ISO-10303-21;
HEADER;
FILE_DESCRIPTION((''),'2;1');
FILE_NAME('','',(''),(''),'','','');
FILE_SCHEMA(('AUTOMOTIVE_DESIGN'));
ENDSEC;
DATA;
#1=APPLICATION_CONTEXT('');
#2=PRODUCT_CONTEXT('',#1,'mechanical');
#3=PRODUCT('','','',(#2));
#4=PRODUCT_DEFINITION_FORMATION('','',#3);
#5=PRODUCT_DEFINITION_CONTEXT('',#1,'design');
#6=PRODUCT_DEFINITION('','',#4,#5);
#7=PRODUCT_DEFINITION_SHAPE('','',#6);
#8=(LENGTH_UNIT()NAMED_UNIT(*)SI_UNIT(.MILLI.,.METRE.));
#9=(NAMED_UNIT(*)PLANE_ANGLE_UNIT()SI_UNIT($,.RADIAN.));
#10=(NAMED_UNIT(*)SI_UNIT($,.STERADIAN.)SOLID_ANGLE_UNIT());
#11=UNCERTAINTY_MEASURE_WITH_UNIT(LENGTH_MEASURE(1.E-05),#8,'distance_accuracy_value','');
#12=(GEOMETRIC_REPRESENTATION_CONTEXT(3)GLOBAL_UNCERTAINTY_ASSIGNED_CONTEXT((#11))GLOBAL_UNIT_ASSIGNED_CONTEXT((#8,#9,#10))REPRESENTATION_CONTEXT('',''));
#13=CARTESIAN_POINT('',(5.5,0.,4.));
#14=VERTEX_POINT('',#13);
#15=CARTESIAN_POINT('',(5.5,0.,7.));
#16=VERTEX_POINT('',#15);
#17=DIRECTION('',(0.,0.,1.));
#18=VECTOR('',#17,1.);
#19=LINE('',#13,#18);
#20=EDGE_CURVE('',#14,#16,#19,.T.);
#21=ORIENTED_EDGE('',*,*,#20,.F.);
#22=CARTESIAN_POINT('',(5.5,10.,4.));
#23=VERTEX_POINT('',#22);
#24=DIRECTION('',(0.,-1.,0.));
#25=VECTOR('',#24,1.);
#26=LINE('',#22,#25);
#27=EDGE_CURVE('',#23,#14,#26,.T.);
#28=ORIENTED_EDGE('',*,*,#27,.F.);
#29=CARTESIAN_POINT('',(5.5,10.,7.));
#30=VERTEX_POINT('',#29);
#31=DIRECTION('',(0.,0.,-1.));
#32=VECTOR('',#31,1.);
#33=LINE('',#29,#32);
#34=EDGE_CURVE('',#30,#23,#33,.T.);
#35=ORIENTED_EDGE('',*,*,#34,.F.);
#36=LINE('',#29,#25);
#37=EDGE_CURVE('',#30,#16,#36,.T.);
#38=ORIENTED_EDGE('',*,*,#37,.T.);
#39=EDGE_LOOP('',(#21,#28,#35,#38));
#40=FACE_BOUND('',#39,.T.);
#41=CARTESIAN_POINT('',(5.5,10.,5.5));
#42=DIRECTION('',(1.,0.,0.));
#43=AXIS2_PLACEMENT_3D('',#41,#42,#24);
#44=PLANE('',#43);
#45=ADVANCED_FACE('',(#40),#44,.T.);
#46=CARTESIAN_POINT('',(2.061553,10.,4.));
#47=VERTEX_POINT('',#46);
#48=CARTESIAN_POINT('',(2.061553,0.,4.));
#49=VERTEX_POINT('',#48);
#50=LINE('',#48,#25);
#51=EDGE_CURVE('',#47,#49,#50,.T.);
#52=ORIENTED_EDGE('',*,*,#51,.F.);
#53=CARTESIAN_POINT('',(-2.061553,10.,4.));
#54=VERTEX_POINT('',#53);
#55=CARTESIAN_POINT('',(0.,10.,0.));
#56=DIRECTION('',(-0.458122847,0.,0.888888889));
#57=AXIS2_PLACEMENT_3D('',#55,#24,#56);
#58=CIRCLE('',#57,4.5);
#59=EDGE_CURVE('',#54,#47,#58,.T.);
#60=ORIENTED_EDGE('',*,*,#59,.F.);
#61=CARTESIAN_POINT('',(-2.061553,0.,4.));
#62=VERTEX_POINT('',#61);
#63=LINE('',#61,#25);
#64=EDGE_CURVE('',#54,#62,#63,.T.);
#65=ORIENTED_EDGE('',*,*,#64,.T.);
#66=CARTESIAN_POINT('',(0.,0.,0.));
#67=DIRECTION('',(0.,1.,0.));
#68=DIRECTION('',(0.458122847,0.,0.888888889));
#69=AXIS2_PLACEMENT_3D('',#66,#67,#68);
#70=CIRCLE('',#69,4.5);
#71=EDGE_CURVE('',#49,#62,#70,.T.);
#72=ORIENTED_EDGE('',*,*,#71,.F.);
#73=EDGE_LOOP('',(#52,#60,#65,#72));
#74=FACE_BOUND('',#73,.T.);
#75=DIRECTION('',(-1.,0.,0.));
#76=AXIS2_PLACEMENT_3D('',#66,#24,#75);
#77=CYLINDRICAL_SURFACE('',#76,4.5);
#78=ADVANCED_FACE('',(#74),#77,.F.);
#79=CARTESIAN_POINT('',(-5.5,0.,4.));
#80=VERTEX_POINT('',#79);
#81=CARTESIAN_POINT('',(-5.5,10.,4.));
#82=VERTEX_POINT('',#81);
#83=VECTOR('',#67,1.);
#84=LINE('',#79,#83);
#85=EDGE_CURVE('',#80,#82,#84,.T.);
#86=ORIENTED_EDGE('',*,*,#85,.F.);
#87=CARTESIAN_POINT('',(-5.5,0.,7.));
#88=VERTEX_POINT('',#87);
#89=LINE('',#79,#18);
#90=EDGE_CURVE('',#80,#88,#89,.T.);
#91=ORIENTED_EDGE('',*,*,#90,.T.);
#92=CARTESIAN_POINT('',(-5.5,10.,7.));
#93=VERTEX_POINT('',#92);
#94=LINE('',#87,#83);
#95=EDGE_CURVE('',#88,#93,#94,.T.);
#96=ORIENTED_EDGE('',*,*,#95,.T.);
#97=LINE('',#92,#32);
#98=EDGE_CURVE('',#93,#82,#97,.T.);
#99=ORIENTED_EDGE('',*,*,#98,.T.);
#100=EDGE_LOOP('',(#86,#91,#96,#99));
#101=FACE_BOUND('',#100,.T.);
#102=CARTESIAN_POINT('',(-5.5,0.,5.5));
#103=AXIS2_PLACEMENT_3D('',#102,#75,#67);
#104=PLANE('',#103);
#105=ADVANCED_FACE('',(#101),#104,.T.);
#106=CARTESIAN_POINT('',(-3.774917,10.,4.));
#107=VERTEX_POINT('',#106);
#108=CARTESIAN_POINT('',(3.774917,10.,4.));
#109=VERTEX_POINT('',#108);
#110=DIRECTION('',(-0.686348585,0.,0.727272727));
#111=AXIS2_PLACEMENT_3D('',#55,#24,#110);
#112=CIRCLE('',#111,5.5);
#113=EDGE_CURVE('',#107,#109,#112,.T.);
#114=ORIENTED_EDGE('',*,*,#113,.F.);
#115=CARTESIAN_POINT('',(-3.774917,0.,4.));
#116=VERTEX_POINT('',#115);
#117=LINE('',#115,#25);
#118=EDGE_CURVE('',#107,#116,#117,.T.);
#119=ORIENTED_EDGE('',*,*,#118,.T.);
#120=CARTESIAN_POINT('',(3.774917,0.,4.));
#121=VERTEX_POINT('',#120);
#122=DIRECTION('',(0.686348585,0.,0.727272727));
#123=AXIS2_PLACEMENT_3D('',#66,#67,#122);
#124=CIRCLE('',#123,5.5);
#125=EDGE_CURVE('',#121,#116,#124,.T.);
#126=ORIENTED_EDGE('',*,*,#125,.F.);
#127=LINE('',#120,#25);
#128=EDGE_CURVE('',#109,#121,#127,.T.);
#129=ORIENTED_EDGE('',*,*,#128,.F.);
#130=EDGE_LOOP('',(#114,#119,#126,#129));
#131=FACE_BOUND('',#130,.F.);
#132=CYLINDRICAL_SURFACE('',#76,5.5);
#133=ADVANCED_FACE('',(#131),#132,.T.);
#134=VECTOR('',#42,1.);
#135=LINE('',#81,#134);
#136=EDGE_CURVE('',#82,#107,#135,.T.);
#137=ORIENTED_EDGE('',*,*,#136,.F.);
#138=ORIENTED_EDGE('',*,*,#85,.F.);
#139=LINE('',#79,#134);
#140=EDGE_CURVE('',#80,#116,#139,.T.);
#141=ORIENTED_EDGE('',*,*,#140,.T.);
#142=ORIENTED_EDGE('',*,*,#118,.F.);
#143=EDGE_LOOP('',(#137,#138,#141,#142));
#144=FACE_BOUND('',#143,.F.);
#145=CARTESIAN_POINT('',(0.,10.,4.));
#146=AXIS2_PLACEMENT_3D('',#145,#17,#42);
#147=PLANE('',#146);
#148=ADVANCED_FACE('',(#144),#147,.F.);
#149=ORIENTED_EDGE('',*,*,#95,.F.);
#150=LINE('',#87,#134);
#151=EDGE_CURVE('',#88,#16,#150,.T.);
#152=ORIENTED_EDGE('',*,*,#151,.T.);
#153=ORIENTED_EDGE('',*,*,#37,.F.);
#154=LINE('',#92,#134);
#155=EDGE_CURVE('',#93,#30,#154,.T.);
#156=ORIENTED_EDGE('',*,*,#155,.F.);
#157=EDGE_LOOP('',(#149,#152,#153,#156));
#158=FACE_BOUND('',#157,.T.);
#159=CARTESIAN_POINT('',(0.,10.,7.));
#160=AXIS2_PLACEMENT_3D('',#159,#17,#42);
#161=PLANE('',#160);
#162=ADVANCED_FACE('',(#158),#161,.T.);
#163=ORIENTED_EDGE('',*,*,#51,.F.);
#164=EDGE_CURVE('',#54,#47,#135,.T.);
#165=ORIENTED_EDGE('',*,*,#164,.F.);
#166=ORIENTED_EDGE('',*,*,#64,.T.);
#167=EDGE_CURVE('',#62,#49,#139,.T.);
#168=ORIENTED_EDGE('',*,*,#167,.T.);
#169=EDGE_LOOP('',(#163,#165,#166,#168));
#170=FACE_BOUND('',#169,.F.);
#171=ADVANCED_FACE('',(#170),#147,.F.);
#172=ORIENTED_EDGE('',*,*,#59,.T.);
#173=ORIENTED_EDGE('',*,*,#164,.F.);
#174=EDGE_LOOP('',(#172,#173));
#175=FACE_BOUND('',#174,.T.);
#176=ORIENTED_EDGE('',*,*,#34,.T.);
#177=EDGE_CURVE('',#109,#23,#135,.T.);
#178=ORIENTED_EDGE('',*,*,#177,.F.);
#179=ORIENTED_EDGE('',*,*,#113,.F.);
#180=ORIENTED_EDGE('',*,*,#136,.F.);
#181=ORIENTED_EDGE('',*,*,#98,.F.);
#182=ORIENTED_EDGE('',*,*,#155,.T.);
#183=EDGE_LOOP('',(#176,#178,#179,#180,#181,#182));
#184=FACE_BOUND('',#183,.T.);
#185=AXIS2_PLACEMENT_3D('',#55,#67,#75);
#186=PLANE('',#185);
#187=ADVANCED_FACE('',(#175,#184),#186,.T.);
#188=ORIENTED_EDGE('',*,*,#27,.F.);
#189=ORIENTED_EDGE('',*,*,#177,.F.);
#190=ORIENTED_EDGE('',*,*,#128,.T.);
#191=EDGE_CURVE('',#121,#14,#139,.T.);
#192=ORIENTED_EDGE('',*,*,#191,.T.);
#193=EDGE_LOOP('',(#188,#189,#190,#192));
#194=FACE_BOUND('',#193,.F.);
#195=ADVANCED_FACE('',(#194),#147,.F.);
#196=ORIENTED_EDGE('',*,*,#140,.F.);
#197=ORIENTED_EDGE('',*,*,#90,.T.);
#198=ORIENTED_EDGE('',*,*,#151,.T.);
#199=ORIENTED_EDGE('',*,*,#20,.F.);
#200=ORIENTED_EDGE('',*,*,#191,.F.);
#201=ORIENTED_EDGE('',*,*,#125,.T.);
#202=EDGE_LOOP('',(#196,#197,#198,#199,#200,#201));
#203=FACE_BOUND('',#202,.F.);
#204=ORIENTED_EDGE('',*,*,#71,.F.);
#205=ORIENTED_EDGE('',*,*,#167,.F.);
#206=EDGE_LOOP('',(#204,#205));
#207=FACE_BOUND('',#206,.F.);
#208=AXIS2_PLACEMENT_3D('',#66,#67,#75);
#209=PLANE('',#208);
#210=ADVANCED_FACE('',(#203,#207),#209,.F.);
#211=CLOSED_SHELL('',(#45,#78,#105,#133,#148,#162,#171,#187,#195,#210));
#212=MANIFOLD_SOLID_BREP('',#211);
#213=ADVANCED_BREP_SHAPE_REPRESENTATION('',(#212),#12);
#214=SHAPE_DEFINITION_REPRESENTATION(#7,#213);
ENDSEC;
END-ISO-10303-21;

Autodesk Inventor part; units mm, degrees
ref_plane "YZ Plane" through (0, 0, 0) normal (1, 0, 0) x (0, 1, 0)
ref_plane "XZ Plane" through (0, 0, 0) normal (0, 1, 0) x (-1, 0, 0)
ref_plane "XY Plane" through (0, 0, 0) normal (0, 0, 1) x (1, 0, 0)
sketch "Esquisse1" plane through (0, 0, 0) normal (0, 1, 0) x (-1, 0, 0)
  circle A0 centre (0, 0) radius 4.5
  circle A1 centre (0, 0) radius 5.5
  dimension "d0" = 9
  dimension "d1" = 11
extrude "Extrusion1" add sketch "Esquisse1" along normal blind 10
sketch "Esquisse2" plane through (0, 10, 0) normal (0, 1, 0) x (1, 0, 0)
  circle A0 centre (0, 0) radius 5.5 projected
  point P0 (0, -5.5)
ref_plane "Plan de construction1" through (0, 10, 5.5) normal (0, 0, 1) x (1, 0, 0)
sketch "Esquisse3" plane through (0, 10, 5.5) normal (0, 0, 1) x (1, 0, 0)
  line L0 (-5.5, -10) -> (-5.5, 0) projected
  line L1 (-5.5, -10) -> (5.5, -10) projected
  line L2 (-5.5, 0) -> (5.5, 0)
  line L3 (5.5, 0) -> (5.5, -10)
  line L4 (5.5, -10) -> (-5.5, -10)
  line L5 (-5.5, -10) -> (-5.5, 0)
  point P0 (0, -10)
extrude "Extrusion2" add sketch "Esquisse3" along normal mid plane 3
properties part number "bague"
